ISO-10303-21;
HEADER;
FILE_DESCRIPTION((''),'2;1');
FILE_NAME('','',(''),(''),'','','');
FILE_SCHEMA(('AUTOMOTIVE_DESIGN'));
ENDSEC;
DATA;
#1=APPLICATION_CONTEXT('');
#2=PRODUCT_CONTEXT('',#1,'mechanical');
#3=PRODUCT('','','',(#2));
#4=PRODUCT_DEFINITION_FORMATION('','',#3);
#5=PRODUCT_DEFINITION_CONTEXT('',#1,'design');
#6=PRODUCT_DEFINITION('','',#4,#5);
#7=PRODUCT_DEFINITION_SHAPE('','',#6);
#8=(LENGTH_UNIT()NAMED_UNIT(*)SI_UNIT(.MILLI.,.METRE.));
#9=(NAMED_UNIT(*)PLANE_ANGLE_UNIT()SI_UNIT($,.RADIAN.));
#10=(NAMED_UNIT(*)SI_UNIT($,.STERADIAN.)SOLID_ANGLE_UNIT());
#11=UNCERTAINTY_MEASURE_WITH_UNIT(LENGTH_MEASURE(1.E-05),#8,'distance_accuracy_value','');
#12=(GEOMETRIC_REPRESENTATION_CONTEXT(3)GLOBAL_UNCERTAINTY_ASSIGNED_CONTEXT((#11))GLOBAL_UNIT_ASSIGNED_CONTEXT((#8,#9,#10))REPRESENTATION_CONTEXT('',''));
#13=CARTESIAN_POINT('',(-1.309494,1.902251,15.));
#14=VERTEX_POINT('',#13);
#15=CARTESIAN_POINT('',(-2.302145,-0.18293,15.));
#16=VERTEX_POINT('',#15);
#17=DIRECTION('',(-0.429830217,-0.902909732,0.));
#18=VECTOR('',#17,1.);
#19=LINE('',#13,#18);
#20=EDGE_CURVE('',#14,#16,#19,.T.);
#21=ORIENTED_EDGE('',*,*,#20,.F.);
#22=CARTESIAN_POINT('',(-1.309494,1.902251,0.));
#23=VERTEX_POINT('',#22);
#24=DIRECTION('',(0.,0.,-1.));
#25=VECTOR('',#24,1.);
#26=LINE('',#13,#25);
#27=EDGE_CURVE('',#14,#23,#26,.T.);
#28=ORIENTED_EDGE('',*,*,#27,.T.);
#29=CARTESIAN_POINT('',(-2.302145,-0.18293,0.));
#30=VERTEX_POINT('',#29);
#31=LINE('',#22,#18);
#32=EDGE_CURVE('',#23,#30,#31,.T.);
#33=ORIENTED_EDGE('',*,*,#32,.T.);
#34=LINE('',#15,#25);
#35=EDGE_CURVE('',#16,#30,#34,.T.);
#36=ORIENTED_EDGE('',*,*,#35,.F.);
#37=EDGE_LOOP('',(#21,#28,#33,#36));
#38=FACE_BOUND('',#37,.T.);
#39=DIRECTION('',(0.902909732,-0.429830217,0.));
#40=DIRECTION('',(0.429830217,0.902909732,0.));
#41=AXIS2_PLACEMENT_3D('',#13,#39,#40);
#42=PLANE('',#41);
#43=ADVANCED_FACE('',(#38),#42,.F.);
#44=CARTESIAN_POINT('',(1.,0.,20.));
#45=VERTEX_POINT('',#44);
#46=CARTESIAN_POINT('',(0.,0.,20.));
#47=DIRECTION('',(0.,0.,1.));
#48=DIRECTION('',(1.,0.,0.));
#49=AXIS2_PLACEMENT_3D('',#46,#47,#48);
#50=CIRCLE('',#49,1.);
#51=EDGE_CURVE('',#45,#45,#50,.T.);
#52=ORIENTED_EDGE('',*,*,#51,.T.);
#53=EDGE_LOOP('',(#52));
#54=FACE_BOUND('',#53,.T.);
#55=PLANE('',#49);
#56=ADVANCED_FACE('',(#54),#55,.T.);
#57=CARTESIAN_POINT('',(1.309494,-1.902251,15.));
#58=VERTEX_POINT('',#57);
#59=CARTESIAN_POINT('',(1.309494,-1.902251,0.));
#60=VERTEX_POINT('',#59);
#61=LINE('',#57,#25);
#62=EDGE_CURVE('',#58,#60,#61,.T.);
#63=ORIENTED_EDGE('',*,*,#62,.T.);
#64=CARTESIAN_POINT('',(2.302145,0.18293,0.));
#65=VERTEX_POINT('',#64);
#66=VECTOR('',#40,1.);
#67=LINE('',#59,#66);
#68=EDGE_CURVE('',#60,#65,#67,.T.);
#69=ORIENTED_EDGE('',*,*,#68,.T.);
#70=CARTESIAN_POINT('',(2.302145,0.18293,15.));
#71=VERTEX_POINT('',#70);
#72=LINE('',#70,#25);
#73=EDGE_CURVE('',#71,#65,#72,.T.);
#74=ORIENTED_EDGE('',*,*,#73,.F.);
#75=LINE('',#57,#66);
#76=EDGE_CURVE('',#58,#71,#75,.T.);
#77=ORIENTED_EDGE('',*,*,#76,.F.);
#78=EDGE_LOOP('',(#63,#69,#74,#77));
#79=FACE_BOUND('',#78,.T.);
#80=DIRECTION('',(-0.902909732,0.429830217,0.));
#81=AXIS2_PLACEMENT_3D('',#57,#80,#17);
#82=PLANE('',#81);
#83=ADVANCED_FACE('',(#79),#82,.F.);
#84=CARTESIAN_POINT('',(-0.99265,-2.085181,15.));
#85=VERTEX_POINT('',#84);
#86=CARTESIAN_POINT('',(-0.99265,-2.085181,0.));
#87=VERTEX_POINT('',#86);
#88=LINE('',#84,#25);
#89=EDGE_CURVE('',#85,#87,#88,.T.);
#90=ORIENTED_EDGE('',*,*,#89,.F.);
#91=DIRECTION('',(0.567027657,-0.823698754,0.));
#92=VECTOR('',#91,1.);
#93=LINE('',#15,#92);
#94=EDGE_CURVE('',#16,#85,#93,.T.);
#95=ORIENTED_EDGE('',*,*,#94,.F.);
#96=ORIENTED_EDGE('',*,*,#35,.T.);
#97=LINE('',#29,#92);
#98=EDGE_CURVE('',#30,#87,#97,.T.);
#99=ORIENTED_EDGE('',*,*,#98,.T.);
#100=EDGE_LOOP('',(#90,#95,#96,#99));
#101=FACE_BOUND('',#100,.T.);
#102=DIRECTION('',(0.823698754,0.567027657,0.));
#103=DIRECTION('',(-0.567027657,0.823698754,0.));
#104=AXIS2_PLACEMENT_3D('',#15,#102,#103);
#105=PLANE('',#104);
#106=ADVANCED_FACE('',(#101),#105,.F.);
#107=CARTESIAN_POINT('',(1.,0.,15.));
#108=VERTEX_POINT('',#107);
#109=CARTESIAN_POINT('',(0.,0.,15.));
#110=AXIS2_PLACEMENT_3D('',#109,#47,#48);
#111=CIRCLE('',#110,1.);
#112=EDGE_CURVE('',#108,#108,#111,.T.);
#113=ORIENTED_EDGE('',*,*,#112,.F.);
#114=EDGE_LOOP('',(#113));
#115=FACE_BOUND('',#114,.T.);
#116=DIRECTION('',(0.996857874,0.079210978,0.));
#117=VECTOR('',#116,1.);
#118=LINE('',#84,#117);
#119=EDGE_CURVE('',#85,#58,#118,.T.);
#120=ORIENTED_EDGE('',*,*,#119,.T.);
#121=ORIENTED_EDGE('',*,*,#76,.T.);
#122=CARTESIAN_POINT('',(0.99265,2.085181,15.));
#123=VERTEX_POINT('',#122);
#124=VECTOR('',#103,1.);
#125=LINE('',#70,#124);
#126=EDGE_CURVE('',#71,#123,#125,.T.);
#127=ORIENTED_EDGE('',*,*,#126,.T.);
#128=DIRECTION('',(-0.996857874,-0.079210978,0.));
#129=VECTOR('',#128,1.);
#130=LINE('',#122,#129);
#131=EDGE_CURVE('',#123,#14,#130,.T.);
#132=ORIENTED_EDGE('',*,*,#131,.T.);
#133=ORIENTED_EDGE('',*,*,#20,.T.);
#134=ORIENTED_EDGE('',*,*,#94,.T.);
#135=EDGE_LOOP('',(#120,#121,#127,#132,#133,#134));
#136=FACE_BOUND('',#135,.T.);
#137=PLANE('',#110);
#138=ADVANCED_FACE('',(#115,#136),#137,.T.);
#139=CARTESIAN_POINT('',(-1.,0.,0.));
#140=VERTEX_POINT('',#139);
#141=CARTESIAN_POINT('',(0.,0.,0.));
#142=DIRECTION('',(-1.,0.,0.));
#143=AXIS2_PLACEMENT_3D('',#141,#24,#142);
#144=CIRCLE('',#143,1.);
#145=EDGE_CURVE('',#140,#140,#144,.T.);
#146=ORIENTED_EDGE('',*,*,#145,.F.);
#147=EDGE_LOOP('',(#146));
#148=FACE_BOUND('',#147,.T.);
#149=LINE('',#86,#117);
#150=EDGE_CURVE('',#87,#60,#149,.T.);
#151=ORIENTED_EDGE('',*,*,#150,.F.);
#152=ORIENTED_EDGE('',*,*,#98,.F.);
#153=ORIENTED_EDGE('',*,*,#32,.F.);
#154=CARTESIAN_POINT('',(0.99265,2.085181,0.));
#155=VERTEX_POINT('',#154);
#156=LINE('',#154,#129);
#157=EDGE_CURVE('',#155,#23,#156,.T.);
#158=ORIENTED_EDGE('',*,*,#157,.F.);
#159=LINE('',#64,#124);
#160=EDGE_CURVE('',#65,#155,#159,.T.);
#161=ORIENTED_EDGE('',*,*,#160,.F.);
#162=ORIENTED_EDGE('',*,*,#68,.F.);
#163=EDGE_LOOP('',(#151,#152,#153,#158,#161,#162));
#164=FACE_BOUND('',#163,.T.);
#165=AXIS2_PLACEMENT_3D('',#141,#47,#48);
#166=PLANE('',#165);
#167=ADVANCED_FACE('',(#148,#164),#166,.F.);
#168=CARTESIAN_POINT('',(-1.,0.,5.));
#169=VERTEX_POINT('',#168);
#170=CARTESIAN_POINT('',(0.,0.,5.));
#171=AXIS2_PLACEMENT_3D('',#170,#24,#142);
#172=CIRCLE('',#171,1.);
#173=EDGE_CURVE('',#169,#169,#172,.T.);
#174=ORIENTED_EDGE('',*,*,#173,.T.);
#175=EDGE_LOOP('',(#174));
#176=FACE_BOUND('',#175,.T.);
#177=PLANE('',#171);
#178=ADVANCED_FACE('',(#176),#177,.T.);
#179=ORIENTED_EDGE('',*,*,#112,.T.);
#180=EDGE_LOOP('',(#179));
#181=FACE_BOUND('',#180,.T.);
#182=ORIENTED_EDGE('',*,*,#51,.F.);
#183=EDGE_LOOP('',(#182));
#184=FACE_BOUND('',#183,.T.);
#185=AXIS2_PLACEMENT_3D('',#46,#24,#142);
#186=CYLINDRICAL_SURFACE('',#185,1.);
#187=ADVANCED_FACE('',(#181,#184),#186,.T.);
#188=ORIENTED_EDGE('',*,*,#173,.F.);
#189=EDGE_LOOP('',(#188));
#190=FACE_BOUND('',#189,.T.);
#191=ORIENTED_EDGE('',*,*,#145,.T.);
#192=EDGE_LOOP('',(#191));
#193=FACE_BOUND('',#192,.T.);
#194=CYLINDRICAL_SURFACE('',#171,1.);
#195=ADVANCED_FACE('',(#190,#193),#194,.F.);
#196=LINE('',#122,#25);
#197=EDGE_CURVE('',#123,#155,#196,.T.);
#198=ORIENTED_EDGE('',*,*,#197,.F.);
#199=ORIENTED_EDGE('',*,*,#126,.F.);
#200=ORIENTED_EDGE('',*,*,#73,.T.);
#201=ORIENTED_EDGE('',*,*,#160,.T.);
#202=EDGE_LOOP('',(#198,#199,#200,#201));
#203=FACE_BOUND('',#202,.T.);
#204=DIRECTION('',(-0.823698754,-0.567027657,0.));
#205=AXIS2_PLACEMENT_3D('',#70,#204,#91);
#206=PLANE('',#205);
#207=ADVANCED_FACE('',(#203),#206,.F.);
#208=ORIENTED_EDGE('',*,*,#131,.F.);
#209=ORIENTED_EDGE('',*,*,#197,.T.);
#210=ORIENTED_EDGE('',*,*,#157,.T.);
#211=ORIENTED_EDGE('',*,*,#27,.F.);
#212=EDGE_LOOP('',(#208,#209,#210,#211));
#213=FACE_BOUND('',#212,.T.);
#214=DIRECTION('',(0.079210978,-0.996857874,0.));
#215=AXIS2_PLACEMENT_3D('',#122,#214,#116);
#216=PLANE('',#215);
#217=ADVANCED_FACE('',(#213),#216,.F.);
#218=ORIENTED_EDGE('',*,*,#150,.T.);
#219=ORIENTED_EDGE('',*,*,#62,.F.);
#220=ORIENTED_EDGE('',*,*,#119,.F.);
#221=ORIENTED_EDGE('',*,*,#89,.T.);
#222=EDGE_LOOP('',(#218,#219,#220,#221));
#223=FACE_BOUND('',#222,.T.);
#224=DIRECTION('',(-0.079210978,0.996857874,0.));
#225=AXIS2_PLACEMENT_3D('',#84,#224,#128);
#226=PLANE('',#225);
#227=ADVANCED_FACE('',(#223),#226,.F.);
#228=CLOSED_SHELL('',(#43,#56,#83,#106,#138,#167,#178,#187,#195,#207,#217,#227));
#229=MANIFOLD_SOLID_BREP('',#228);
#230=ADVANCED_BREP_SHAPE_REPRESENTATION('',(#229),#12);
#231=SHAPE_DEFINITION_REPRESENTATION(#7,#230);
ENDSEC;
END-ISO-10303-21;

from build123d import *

# Parameters (mm, degrees)
BOSS_EXTRU_1_DEPTH      = 15
ESQUISSE2_R             = 1
BOSS_EXTRU_2_DEPTH      = 5
ESQUISSE3_R             = 1
ENL_V_MAT_EXTRU_1_DEPTH = 5


with BuildPart() as part:
    # Esquisse1 → Boss.-Extru.1 (new body)
    with BuildSketch(Plane.XY):
        Polygon((2.302144648, 0.182929919), (0.992650367, 2.085180707), (-1.309494281, 1.902250788), (-2.302144648, -0.182929919), (-0.992650367, -2.085180707), (1.309494281, -1.902250788), align=None)
    extrude(amount=BOSS_EXTRU_1_DEPTH)

    # Esquisse2 → Boss.-Extru.2 (add)
    with BuildSketch(Plane.XY.offset(15)):
        Circle(ESQUISSE2_R)
    extrude(amount=BOSS_EXTRU_2_DEPTH)

    # Esquisse3 → Enlèv. mat.-Extru.1 (cut)
    with BuildSketch(Plane(origin=(0, 0, 0), x_dir=(-1, 0, 0), z_dir=(0, 0, -1))):
        with Locations(Location((0, 0, 0), (0, 0, 180))):
            Circle(ESQUISSE3_R)
    extrude(amount=-ENL_V_MAT_EXTRU_1_DEPTH, mode=Mode.SUBTRACT)


solid = part.part
